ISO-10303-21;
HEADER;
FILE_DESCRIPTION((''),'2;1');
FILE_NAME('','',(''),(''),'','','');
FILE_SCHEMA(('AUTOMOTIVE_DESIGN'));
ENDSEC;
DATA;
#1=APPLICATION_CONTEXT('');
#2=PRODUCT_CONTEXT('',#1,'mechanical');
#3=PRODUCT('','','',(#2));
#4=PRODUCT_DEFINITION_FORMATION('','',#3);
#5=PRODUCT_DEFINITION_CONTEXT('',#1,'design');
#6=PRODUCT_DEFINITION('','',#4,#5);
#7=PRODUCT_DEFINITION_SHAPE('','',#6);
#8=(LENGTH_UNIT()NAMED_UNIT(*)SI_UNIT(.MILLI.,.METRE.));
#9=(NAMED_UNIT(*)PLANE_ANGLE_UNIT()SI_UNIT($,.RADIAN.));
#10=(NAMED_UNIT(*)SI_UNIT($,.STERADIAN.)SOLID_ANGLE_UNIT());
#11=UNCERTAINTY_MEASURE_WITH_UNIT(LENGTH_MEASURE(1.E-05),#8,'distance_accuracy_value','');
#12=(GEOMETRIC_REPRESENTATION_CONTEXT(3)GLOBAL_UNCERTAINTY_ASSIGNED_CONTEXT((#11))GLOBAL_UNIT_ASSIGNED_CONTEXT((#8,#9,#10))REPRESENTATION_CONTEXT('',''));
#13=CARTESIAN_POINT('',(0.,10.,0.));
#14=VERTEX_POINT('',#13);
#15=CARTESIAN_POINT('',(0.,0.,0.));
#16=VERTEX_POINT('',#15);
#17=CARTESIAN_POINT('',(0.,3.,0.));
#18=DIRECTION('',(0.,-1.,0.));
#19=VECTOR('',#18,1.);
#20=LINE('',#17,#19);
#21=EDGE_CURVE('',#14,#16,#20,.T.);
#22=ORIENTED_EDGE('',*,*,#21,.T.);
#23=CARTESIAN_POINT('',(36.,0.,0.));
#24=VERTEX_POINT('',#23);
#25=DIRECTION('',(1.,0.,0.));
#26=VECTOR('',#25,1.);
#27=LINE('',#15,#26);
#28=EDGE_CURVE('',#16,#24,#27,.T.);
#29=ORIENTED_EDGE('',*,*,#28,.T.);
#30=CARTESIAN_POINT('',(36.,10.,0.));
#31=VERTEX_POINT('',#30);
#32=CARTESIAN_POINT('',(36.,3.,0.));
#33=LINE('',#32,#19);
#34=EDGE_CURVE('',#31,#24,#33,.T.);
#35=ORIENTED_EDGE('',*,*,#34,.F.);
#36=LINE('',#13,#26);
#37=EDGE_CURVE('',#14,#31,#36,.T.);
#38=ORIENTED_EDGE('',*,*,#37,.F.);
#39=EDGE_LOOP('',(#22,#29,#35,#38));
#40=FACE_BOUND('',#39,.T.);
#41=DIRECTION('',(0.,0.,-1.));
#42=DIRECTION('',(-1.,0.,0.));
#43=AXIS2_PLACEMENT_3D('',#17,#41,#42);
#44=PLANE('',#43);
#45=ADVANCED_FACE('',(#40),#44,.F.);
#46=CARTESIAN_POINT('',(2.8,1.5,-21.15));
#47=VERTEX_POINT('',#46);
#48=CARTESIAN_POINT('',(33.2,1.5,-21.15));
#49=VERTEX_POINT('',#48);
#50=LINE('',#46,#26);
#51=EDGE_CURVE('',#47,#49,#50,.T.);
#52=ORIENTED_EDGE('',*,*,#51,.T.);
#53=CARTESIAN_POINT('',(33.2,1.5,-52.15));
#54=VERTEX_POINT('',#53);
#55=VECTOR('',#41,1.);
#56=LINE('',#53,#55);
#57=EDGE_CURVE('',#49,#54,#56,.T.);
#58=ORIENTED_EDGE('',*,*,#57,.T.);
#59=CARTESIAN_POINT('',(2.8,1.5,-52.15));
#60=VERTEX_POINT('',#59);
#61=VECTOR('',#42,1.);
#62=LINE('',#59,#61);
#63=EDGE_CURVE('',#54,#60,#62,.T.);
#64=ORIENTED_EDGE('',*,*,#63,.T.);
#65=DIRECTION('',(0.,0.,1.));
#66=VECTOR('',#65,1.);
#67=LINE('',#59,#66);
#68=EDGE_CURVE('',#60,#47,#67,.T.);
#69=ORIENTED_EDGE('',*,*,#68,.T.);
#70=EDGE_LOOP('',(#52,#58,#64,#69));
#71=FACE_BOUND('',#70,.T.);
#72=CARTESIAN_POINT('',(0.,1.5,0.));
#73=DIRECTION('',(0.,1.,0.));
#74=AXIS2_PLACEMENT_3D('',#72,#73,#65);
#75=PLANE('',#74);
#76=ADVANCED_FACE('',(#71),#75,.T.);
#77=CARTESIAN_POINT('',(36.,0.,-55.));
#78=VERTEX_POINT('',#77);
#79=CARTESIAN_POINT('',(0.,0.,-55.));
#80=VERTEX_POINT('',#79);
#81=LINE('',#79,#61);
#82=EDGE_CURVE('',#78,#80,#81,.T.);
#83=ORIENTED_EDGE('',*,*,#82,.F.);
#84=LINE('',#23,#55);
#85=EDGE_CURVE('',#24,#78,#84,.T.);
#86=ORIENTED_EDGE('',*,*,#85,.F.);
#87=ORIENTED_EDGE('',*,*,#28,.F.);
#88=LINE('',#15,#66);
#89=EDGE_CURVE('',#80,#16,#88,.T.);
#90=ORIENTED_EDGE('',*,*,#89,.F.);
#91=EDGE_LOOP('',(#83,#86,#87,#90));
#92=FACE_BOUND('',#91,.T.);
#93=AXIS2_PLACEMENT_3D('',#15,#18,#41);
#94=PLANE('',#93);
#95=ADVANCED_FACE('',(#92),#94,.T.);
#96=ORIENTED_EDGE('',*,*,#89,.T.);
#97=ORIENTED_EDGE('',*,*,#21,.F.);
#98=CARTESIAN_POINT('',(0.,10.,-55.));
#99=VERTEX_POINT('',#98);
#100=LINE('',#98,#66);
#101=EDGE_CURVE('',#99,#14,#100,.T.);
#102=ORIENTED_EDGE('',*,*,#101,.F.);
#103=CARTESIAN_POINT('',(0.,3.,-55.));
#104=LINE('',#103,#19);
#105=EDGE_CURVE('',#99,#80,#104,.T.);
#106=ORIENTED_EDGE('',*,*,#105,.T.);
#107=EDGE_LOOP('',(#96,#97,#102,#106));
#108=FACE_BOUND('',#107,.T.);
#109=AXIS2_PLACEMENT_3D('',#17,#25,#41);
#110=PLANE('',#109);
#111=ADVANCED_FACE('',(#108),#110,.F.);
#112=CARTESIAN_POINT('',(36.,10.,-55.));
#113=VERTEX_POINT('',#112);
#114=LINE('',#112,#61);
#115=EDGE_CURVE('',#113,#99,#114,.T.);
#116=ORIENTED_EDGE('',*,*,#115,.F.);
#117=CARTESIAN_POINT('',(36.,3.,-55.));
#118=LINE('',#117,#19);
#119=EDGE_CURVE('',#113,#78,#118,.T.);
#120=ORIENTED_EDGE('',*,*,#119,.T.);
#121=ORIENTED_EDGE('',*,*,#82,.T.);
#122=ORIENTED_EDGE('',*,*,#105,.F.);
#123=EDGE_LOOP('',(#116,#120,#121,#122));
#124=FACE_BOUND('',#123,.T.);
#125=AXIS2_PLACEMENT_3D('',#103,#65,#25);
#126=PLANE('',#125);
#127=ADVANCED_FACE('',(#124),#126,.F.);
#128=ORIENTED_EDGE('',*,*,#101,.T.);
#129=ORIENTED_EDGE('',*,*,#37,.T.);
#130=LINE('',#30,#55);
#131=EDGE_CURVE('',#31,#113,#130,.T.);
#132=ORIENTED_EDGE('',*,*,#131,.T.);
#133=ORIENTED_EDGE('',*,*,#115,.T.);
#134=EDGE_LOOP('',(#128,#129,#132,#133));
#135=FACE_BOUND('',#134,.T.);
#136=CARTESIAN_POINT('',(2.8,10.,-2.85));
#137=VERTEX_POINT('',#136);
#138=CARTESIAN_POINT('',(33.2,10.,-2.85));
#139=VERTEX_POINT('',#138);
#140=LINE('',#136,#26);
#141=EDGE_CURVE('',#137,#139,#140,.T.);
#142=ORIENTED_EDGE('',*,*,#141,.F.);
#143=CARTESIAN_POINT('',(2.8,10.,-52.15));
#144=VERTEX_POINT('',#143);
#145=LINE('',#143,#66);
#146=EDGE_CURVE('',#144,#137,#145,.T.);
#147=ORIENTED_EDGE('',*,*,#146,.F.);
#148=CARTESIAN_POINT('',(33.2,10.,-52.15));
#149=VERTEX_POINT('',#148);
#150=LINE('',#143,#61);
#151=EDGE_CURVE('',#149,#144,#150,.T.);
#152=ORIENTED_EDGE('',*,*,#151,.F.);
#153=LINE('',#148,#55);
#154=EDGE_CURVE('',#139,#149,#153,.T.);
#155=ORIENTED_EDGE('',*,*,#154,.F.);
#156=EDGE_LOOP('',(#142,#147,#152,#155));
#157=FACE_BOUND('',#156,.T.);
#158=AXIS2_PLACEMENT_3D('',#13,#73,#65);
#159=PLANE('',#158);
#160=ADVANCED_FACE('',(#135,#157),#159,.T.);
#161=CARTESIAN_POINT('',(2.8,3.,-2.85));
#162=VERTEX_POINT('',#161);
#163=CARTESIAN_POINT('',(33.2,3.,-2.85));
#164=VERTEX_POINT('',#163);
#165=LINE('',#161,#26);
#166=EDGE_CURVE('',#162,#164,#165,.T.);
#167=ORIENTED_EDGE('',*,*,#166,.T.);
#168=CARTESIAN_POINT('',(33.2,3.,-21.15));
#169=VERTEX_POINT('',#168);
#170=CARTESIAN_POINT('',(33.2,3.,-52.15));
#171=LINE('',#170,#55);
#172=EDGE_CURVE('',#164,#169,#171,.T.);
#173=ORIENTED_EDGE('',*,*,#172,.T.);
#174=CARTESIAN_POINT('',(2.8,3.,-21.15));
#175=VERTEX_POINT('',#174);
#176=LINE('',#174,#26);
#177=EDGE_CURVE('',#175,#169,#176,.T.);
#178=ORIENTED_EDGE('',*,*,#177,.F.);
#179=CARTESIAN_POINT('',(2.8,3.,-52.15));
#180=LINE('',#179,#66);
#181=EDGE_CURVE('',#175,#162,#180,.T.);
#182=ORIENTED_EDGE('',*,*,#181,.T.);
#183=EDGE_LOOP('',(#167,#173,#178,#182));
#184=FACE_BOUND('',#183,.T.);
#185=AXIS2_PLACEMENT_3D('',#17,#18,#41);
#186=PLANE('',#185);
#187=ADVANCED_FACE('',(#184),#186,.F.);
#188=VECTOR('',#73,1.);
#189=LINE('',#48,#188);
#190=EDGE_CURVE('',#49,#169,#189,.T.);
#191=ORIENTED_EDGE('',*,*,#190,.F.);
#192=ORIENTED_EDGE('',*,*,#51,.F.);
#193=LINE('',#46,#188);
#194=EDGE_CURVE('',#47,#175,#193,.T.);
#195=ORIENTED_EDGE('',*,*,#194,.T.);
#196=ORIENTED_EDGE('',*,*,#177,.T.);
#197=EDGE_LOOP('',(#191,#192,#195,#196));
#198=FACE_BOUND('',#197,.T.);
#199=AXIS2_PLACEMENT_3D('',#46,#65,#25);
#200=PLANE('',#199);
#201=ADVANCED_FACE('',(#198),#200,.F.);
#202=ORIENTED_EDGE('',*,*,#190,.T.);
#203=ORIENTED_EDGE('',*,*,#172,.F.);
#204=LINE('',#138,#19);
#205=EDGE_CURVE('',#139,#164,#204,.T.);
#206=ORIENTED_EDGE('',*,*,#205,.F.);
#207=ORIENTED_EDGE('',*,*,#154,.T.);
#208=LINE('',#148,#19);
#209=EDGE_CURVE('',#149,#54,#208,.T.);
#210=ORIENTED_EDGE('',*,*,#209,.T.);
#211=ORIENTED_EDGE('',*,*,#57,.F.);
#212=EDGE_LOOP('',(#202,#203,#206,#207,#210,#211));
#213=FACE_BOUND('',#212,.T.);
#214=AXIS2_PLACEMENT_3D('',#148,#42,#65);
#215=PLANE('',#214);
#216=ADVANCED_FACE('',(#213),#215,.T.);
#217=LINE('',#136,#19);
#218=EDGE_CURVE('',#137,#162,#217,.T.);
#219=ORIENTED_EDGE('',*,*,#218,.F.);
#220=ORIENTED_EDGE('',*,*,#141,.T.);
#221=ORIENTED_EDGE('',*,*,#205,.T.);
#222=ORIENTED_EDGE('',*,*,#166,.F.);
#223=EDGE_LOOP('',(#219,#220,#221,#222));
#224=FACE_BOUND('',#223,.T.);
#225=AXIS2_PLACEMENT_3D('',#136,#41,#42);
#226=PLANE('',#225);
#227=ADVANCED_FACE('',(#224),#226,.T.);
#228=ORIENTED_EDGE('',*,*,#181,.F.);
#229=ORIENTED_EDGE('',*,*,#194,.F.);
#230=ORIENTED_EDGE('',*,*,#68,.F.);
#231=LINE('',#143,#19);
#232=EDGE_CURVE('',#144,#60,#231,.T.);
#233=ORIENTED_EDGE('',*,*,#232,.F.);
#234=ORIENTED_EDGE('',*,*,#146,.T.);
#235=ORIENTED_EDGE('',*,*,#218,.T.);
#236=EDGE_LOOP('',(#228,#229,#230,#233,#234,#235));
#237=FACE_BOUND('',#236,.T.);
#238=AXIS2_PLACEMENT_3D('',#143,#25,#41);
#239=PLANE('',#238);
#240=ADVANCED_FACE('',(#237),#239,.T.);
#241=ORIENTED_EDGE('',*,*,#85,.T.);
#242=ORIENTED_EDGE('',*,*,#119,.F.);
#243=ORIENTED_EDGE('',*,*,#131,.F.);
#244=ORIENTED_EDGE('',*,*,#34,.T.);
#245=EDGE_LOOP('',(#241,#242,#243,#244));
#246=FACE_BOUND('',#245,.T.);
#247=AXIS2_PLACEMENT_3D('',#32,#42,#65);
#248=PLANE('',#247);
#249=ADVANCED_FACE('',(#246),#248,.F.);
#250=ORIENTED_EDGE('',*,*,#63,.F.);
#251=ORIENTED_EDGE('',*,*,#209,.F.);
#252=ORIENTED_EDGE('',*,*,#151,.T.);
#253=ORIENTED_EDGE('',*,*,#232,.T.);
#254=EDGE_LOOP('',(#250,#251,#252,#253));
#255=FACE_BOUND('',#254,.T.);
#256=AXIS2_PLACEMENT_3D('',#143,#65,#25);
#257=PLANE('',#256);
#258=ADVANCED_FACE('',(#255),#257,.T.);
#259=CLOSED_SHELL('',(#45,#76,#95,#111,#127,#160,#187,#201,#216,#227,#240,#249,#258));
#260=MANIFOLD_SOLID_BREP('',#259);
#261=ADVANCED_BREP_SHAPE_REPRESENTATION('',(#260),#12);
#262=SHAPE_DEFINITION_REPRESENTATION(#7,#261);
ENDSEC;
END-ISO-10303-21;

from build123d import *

# Parameters (mm, degrees)
SKETCH1_W           = 36
SKETCH1_H           = 55
BOSS_EXTRUDE1_DEPTH = 3
SKETCH2_W           = 36
SKETCH2_H           = 55
SKETCH2_W_2         = 30.4
SKETCH2_H_2         = 49.3
BOSS_EXTRUDE2_DEPTH = 7
SKETCH3_W           = 30.4
SKETCH3_H           = 31
CUT_EXTRUDE1_DEPTH  = 1.5


with BuildPart() as part:
    # Sketch1 → Boss-Extrude1 (new body)
    with BuildSketch(Plane(origin=(0, 0, 0), x_dir=(1, 0, 0), z_dir=(0, 1, 0))):
        with Locations((18, 27.5)):
            Rectangle(SKETCH1_W, SKETCH1_H)
    extrude(amount=BOSS_EXTRUDE1_DEPTH)

    # Sketch2 → Boss-Extrude2 (add)
    with BuildSketch(Plane(origin=(0, 3, 0), x_dir=(1, 0, 0), z_dir=(0, 1, 0))):
        with Locations((18, 27.5)):
            Rectangle(SKETCH2_W, SKETCH2_H)
        with Locations((18, 27.5)):
            Rectangle(SKETCH2_W_2, SKETCH2_H_2, mode=Mode.SUBTRACT)
    extrude(amount=BOSS_EXTRUDE2_DEPTH)

    # Sketch3 → Cut-Extrude1 (cut)
    with BuildSketch(Plane(origin=(0, 3, 0), x_dir=(1, 0, 0), z_dir=(0, 1, 0))):
        with Locations((18, 36.65)):
            Rectangle(SKETCH3_W, SKETCH3_H)
    extrude(amount=-CUT_EXTRUDE1_DEPTH, mode=Mode.SUBTRACT)


solid = part.part
